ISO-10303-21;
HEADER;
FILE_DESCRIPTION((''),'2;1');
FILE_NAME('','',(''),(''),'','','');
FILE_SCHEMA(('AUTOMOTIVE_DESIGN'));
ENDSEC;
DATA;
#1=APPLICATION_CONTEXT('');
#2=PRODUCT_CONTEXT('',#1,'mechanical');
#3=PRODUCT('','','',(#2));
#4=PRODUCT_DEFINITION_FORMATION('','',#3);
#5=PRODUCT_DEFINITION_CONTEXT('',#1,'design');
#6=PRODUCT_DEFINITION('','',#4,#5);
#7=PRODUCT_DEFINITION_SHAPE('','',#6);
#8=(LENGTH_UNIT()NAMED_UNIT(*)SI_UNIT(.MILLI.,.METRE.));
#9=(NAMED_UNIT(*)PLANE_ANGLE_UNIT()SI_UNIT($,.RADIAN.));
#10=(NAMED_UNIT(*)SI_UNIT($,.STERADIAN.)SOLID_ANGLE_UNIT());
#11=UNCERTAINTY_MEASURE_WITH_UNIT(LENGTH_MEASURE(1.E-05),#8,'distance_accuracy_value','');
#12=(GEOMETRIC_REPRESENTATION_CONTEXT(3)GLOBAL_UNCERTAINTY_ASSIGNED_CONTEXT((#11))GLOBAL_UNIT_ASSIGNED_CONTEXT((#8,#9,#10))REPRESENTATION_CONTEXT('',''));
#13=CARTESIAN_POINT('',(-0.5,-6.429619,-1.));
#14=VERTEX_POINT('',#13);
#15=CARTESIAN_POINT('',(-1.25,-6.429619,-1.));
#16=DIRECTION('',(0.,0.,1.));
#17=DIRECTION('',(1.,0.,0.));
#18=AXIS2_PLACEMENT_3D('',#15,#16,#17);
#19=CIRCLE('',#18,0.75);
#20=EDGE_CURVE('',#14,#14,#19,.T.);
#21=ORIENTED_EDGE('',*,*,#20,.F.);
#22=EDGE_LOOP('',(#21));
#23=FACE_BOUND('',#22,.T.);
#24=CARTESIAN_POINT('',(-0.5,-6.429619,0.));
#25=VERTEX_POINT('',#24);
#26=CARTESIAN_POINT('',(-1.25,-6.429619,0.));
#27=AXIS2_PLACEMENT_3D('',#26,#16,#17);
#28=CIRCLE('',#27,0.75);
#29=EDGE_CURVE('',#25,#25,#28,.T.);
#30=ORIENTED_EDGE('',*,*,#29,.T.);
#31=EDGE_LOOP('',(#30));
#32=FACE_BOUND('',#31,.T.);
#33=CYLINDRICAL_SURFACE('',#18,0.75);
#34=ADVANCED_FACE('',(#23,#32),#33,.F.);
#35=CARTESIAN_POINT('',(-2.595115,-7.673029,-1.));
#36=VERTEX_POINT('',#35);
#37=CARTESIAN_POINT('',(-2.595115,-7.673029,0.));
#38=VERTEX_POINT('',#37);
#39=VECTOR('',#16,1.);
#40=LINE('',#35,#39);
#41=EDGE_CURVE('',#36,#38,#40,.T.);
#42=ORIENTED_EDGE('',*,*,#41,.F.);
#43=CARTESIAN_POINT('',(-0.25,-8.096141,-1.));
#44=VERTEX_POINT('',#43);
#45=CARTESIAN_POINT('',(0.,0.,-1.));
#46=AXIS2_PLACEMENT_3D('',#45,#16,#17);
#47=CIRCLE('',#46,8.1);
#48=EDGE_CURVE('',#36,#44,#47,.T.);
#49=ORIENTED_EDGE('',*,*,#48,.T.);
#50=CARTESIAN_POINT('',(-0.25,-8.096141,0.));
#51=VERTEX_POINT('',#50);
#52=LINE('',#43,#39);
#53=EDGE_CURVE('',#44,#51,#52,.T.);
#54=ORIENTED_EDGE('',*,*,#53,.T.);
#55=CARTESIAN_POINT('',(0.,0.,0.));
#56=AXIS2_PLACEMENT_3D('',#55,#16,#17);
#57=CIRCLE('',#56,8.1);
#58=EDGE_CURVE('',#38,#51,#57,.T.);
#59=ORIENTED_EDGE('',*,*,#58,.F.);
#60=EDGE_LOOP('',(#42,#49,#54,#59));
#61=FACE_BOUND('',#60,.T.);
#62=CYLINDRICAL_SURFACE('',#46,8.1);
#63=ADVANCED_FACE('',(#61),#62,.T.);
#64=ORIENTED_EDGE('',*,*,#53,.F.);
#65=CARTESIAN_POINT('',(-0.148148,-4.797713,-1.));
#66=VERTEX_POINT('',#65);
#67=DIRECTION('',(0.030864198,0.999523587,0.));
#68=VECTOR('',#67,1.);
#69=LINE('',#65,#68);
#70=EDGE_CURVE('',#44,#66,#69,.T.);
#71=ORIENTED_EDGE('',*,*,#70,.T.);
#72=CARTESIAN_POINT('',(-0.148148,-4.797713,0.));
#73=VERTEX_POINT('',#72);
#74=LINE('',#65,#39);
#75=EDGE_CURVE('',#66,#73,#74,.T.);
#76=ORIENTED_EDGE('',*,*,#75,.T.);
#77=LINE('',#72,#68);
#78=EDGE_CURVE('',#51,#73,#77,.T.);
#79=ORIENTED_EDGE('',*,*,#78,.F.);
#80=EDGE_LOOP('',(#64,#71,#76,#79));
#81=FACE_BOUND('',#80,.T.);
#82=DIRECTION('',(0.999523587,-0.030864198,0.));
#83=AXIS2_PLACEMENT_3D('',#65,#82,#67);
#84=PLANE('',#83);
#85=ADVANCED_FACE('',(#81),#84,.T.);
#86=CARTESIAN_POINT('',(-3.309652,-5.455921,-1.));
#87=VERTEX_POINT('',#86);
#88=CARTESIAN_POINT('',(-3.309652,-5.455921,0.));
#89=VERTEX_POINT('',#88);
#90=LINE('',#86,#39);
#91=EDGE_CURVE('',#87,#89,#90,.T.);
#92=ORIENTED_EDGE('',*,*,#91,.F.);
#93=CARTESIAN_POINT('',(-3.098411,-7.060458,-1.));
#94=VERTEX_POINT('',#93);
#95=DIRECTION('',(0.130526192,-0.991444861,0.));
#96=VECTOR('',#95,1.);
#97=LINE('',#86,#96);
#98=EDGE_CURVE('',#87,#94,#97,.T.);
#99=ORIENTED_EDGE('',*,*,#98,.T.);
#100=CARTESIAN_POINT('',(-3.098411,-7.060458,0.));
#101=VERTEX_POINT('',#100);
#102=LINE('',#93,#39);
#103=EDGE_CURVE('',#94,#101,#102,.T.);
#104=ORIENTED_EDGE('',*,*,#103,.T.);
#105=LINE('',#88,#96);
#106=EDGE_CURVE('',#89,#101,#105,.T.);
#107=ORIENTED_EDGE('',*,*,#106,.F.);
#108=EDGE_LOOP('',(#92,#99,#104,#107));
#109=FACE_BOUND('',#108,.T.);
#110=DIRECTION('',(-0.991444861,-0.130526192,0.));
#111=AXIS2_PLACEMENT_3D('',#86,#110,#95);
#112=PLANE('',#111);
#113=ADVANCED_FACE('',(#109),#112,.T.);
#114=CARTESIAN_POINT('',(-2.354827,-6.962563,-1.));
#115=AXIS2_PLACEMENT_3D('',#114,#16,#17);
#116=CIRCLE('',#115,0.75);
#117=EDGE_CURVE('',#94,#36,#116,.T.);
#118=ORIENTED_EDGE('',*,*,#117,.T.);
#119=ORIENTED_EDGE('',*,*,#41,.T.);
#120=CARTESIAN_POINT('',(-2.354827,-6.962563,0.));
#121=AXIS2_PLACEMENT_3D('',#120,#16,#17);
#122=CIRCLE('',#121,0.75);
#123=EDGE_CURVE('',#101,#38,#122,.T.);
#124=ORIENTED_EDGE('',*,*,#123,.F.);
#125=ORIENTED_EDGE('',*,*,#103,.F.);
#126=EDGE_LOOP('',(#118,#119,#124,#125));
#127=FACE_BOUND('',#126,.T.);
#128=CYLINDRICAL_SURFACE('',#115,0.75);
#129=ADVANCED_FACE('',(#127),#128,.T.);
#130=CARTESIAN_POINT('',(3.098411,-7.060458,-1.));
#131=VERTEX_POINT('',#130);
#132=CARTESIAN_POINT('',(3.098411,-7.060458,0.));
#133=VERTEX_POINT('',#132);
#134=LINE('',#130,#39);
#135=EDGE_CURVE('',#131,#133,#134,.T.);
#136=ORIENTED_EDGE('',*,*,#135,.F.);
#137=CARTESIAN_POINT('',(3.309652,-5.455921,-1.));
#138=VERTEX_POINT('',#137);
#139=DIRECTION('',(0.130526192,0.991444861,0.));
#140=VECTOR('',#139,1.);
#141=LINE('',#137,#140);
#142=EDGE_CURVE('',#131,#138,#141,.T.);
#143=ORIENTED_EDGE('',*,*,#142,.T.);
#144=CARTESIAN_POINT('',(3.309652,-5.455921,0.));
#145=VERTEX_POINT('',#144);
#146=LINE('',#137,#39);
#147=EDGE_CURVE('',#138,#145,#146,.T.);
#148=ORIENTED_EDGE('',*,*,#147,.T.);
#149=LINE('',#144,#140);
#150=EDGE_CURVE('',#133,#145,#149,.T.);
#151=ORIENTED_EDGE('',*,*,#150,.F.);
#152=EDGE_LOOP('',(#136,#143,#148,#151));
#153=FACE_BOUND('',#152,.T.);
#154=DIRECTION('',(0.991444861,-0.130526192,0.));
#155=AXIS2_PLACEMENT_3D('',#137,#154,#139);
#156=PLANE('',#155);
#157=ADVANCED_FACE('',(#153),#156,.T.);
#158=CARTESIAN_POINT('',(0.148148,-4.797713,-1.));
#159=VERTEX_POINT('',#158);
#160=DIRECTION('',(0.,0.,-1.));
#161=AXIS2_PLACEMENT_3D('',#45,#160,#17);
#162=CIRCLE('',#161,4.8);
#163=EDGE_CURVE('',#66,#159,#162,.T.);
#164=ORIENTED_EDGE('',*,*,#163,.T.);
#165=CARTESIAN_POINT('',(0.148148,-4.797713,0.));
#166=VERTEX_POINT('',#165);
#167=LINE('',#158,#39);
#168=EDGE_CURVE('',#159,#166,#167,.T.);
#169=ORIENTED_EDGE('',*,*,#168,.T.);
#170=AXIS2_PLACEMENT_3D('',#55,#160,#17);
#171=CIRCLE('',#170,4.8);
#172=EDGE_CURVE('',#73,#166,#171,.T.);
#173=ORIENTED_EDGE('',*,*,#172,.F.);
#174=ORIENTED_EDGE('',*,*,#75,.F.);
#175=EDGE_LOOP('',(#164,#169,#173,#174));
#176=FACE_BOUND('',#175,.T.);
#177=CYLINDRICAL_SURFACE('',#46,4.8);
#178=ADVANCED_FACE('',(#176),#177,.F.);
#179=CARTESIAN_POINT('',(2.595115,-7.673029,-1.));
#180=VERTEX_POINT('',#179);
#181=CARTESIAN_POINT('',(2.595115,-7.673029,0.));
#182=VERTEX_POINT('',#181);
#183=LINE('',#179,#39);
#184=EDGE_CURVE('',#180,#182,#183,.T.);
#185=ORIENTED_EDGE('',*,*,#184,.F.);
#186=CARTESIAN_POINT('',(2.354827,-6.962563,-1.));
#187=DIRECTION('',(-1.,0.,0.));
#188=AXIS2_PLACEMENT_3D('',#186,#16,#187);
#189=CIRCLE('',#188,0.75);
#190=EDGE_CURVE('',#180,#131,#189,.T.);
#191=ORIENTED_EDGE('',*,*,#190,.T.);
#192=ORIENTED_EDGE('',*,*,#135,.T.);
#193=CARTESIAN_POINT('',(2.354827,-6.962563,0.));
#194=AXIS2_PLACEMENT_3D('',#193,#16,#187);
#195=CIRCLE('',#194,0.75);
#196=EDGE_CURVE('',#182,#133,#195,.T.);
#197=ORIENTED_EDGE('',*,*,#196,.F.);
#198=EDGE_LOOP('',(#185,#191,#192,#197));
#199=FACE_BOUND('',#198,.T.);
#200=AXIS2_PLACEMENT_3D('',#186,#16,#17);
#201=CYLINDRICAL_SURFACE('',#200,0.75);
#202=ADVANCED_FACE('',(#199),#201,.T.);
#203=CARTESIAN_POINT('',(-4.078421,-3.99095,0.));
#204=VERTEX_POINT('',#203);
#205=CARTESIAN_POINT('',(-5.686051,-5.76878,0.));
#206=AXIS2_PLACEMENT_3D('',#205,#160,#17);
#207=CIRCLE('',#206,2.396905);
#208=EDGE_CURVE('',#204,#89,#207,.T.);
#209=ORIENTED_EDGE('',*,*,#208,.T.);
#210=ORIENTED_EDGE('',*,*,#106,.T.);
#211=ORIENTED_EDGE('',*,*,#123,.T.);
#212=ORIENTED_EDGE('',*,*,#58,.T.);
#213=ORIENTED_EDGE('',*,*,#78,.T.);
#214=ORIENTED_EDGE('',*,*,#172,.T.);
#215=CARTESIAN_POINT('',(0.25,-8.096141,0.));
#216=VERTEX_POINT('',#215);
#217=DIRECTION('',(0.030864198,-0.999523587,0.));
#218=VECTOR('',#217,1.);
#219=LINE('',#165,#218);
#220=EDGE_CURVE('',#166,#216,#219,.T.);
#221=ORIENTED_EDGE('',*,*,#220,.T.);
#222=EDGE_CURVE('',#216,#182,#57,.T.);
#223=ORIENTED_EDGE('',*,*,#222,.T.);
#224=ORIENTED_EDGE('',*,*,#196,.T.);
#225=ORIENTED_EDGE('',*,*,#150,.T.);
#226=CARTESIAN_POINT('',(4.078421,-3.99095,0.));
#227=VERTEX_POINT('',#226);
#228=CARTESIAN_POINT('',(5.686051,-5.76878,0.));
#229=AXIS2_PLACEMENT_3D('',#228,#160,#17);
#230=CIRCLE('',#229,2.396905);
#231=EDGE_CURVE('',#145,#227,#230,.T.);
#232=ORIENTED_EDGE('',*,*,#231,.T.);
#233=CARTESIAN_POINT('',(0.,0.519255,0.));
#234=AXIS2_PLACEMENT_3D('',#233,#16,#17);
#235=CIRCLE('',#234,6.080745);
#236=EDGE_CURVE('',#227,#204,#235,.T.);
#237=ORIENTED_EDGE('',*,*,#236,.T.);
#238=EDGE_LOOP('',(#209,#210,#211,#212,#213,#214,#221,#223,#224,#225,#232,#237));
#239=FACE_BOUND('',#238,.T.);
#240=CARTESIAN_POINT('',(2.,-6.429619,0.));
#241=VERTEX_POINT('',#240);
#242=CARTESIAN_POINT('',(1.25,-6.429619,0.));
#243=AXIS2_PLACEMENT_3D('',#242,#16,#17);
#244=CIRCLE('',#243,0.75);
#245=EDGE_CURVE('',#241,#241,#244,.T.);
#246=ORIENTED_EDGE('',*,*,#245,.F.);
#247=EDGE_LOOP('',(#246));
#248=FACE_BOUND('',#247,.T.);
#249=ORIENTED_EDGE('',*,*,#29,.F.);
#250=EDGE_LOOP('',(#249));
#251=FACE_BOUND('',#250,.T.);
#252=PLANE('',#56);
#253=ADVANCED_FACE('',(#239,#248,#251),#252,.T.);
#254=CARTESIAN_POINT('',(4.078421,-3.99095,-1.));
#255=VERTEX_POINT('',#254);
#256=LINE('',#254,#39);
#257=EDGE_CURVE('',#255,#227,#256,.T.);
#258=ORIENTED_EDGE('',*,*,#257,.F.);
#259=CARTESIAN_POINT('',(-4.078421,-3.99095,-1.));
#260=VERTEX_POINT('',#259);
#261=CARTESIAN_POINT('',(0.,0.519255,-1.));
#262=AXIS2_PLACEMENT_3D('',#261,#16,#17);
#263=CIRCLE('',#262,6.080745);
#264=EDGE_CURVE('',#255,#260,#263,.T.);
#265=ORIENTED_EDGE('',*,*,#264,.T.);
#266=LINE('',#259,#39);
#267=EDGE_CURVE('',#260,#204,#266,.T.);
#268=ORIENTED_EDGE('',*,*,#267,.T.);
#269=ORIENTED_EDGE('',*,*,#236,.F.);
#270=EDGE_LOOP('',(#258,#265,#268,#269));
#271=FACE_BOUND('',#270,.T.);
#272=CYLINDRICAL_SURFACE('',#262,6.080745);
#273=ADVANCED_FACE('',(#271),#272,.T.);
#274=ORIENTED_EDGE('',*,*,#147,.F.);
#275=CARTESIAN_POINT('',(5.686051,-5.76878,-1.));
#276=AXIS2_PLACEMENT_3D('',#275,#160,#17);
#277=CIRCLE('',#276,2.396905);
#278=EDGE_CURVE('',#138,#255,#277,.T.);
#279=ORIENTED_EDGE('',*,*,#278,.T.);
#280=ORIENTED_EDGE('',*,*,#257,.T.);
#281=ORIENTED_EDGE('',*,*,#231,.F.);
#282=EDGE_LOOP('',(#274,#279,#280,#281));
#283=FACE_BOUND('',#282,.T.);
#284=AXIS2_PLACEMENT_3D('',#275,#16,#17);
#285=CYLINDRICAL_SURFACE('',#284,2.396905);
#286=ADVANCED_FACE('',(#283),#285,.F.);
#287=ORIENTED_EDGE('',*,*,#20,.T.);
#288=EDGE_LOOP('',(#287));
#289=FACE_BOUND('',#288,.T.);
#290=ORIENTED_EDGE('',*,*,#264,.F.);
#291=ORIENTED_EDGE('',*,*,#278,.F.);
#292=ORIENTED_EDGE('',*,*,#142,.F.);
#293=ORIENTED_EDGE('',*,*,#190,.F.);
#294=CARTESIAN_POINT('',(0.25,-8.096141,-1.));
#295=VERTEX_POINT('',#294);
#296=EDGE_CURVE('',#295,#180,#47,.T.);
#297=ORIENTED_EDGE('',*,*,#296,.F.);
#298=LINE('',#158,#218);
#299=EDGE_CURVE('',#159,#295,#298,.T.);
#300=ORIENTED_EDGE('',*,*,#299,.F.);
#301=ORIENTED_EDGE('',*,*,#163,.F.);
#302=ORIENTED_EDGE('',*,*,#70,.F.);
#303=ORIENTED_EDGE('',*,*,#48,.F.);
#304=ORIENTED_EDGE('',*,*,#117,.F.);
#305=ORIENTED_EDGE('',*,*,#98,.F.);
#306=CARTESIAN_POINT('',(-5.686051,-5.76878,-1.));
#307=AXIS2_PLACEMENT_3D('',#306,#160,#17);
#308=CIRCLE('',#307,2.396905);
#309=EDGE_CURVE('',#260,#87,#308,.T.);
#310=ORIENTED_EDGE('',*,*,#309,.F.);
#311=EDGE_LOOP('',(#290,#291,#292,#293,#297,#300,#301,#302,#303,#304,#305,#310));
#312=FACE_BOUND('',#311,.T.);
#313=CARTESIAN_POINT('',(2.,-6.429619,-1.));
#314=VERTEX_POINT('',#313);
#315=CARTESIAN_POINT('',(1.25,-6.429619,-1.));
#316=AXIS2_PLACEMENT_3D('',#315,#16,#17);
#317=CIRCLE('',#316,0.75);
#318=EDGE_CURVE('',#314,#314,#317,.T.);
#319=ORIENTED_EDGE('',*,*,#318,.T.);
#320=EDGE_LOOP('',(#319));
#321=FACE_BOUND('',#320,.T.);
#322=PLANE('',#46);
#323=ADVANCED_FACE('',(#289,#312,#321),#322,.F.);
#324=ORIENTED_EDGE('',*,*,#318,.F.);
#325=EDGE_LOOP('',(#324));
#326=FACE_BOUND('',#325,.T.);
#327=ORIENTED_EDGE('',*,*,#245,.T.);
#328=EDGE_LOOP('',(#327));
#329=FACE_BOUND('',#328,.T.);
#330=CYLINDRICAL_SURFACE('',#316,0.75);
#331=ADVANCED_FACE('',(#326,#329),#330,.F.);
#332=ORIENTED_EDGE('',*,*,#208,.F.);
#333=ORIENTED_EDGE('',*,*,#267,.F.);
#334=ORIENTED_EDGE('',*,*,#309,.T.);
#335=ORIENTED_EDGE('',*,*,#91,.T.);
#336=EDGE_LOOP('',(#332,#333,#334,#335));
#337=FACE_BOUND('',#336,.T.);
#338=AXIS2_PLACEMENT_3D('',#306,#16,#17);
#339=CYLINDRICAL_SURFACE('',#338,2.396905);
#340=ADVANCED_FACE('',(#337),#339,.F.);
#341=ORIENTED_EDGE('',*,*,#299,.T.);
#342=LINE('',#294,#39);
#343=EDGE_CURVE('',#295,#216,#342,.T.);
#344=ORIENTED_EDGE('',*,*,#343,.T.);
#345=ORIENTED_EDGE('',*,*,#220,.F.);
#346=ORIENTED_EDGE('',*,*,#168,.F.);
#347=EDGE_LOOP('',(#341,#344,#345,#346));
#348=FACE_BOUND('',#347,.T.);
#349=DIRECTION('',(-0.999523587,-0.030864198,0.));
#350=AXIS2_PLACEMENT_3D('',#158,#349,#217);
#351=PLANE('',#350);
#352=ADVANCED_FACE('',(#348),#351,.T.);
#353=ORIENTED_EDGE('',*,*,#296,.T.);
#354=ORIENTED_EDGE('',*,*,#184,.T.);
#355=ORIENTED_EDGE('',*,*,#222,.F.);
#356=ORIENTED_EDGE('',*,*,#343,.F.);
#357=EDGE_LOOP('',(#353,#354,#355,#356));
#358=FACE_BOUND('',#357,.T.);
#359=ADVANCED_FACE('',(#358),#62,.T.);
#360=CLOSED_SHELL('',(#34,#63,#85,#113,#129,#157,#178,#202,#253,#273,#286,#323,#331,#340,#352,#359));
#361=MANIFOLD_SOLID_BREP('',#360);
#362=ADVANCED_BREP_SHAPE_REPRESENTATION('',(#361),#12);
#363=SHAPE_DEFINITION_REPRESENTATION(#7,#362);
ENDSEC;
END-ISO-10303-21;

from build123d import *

# Parameters (mm, degrees)
BODYSKE_R  = 0.75
BODY_DEPTH = 1


with BuildPart() as part:
    # BodySke → Body (new body)
    with BuildSketch(Plane.XY):
        with BuildLine():
            Line((0.148148148, -4.797713218), (0.25, -8.096141056))
            ThreePointArc((0.25, -8.096141056), (1.438202443, -7.971296866), (2.595115355, -7.673029147))
            ThreePointArc((2.595115355, -7.673029147), (2.934319685, -7.438681231), (3.098410542, -7.06045813))
            Line((3.098410542, -7.06045813), (3.309651815, -5.455921365))
            ThreePointArc((3.309651815, -5.455921365), (3.563633246, -4.655004418), (4.078421087, -3.990950201))
            ThreePointArc((4.078421087, -3.990950201), (0, 6.6), (-4.078421087, -3.990950201))
            ThreePointArc((-4.078421087, -3.990950201), (-3.563633246, -4.655004418), (-3.309651815, -5.455921365))
            Line((-3.309651815, -5.455921365), (-3.098410542, -7.06045813))
            ThreePointArc((-3.098410542, -7.06045813), (-2.934319685, -7.438681231), (-2.595115355, -7.673029147))
            ThreePointArc((-2.595115355, -7.673029147), (-1.438202443, -7.971296866), (-0.25, -8.096141056))
            Line((-0.25, -8.096141056), (-0.148148148, -4.797713218))
            ThreePointArc((-0.148148148, -4.797713218), (0, 4.8), (0.148148148, -4.797713218))
        make_face()
        with Locations((1.25, -6.429618962)):
            Circle(BODYSKE_R, mode=Mode.SUBTRACT)
        with Locations((-1.25, -6.429618962)):
            Circle(BODYSKE_R, mode=Mode.SUBTRACT)
    extrude(amount=-BODY_DEPTH)


solid = part.part
